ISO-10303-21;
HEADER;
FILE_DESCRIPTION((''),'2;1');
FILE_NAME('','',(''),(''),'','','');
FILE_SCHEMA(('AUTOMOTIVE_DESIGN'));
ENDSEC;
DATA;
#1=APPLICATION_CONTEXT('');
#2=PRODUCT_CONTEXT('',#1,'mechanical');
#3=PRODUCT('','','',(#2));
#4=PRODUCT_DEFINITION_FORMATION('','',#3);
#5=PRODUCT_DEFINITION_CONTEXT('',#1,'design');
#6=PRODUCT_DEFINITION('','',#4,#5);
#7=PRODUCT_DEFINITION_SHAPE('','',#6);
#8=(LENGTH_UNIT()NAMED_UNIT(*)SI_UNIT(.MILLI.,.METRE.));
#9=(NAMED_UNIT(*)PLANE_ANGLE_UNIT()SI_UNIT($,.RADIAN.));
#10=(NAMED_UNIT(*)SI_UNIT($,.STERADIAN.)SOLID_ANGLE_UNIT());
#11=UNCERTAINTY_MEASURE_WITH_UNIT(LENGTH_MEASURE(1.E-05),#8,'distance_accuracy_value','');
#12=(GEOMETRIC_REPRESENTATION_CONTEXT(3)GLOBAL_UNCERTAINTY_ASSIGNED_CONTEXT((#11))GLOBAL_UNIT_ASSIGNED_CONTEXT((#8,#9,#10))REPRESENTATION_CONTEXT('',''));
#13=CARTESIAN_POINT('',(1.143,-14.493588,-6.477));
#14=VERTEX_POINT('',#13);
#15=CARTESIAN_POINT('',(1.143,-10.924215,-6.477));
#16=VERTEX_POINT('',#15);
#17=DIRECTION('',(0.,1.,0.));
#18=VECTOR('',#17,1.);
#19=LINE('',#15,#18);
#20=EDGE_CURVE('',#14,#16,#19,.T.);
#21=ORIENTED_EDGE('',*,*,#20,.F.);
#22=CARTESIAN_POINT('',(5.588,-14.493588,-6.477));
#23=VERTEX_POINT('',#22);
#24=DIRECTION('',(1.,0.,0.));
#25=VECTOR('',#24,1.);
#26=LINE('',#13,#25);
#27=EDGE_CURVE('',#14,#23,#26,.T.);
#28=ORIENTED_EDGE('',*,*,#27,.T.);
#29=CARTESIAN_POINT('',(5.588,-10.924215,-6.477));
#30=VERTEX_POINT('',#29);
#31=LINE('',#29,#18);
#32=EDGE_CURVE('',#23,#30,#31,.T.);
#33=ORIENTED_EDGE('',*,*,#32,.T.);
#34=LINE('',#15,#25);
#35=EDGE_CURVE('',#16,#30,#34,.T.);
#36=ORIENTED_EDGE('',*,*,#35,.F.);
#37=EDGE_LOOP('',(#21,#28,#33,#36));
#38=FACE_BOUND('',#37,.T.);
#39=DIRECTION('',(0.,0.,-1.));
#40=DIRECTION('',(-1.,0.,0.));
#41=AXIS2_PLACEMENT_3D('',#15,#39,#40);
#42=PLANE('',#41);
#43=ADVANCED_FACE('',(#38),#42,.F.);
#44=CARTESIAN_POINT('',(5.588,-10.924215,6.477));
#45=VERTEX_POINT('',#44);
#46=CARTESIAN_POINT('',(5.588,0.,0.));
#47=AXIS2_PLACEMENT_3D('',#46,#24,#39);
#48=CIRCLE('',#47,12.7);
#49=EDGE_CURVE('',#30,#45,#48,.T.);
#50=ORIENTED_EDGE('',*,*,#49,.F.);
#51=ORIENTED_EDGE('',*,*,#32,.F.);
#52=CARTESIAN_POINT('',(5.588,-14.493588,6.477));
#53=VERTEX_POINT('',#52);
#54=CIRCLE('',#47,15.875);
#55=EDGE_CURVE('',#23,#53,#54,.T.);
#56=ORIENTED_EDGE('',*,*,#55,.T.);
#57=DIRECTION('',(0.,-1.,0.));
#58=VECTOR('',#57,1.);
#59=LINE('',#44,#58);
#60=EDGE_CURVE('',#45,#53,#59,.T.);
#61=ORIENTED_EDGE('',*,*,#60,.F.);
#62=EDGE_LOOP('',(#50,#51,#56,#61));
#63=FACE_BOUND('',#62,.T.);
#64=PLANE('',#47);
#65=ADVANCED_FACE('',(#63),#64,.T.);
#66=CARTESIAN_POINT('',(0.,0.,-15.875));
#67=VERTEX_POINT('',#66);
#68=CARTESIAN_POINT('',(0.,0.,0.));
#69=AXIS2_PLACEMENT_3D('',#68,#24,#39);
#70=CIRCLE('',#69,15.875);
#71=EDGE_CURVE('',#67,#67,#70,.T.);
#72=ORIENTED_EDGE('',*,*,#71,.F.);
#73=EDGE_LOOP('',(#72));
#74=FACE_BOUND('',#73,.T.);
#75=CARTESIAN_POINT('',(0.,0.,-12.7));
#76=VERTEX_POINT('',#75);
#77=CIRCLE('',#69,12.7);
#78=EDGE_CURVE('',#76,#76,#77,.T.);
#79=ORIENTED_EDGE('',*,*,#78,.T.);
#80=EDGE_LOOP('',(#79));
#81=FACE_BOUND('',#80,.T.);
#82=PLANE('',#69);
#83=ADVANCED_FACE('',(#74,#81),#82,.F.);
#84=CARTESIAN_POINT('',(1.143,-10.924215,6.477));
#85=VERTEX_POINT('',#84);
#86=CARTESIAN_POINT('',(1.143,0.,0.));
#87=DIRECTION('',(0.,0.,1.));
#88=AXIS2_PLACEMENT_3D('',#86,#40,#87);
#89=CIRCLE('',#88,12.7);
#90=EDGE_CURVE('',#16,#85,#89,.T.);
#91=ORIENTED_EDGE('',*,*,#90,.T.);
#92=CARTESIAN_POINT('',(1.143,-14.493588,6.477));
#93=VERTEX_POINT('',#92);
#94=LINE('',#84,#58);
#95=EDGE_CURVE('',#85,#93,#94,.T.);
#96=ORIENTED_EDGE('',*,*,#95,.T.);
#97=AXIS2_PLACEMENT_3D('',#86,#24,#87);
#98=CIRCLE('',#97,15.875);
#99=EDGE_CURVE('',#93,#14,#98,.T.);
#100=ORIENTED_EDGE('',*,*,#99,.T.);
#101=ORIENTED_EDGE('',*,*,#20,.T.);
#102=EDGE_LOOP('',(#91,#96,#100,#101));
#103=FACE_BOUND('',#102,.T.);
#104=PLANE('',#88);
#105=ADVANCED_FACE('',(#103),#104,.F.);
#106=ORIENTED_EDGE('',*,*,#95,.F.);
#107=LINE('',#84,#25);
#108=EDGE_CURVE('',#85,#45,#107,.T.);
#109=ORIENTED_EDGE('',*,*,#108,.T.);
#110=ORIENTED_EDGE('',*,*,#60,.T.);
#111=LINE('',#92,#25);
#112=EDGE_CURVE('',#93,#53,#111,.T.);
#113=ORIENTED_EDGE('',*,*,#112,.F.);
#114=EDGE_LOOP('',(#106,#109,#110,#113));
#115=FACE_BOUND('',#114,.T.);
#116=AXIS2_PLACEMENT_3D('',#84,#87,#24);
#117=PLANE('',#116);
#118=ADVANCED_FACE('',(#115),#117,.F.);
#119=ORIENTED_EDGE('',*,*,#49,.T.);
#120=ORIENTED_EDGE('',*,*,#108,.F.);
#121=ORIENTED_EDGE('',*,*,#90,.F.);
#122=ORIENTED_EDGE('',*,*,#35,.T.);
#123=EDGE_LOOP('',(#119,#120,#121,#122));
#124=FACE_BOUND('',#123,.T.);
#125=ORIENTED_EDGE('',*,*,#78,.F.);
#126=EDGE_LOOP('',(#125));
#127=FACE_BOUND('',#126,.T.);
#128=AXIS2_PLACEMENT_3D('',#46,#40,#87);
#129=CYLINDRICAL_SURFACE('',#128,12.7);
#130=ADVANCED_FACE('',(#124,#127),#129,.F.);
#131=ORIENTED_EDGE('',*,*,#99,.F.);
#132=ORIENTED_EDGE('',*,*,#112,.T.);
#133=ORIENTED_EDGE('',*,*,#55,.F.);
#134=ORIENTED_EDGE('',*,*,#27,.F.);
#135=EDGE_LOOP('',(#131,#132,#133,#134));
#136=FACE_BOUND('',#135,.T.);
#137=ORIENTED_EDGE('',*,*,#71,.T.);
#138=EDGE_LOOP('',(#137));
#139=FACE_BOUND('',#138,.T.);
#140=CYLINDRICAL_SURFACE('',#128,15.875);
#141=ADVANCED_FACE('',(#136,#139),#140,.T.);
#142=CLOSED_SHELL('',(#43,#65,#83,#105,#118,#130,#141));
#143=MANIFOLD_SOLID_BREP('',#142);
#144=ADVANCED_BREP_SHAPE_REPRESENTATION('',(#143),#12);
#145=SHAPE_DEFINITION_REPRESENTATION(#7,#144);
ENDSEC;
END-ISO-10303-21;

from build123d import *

# Parameters (mm, degrees)
SKETCH1_R           = 15.875
SKETCH1_R_2         = 12.7
BOSS_EXTRUDE1_DEPTH = 5.588
CUT_EXTRUDE2_START  = -4.445
CUT_EXTRUDE2_DEPTH  = 4.445


with BuildPart() as part:
    # Sketch1 → Boss-Extrude1 (new body)
    with BuildSketch(Plane(origin=(0, 0, 0), x_dir=(0, 0, -1), z_dir=(1, 0, 0))):
        Circle(SKETCH1_R)
        Circle(SKETCH1_R_2, mode=Mode.SUBTRACT)
    extrude(amount=BOSS_EXTRUDE1_DEPTH)

    # Sketch3 → Cut-Extrude2 (cut)
    with BuildSketch(Plane(origin=(5.588, 0, 0), x_dir=(0, 0, -1), z_dir=(1, 0, 0)).offset(CUT_EXTRUDE2_START)):
        with BuildLine():
            Line((-6.477, -10.924214892), (-6.477, -14.4935881))
            ThreePointArc((-6.477, -14.4935881), (0, -15.875), (6.477, -14.4935881))
            Line((6.477, -14.4935881), (6.477, -10.924214892))
            Line((6.477, -10.924214892), (-6.477, -10.924214892))
        make_face()
    extrude(amount=CUT_EXTRUDE2_DEPTH, mode=Mode.SUBTRACT)


solid = part.part
